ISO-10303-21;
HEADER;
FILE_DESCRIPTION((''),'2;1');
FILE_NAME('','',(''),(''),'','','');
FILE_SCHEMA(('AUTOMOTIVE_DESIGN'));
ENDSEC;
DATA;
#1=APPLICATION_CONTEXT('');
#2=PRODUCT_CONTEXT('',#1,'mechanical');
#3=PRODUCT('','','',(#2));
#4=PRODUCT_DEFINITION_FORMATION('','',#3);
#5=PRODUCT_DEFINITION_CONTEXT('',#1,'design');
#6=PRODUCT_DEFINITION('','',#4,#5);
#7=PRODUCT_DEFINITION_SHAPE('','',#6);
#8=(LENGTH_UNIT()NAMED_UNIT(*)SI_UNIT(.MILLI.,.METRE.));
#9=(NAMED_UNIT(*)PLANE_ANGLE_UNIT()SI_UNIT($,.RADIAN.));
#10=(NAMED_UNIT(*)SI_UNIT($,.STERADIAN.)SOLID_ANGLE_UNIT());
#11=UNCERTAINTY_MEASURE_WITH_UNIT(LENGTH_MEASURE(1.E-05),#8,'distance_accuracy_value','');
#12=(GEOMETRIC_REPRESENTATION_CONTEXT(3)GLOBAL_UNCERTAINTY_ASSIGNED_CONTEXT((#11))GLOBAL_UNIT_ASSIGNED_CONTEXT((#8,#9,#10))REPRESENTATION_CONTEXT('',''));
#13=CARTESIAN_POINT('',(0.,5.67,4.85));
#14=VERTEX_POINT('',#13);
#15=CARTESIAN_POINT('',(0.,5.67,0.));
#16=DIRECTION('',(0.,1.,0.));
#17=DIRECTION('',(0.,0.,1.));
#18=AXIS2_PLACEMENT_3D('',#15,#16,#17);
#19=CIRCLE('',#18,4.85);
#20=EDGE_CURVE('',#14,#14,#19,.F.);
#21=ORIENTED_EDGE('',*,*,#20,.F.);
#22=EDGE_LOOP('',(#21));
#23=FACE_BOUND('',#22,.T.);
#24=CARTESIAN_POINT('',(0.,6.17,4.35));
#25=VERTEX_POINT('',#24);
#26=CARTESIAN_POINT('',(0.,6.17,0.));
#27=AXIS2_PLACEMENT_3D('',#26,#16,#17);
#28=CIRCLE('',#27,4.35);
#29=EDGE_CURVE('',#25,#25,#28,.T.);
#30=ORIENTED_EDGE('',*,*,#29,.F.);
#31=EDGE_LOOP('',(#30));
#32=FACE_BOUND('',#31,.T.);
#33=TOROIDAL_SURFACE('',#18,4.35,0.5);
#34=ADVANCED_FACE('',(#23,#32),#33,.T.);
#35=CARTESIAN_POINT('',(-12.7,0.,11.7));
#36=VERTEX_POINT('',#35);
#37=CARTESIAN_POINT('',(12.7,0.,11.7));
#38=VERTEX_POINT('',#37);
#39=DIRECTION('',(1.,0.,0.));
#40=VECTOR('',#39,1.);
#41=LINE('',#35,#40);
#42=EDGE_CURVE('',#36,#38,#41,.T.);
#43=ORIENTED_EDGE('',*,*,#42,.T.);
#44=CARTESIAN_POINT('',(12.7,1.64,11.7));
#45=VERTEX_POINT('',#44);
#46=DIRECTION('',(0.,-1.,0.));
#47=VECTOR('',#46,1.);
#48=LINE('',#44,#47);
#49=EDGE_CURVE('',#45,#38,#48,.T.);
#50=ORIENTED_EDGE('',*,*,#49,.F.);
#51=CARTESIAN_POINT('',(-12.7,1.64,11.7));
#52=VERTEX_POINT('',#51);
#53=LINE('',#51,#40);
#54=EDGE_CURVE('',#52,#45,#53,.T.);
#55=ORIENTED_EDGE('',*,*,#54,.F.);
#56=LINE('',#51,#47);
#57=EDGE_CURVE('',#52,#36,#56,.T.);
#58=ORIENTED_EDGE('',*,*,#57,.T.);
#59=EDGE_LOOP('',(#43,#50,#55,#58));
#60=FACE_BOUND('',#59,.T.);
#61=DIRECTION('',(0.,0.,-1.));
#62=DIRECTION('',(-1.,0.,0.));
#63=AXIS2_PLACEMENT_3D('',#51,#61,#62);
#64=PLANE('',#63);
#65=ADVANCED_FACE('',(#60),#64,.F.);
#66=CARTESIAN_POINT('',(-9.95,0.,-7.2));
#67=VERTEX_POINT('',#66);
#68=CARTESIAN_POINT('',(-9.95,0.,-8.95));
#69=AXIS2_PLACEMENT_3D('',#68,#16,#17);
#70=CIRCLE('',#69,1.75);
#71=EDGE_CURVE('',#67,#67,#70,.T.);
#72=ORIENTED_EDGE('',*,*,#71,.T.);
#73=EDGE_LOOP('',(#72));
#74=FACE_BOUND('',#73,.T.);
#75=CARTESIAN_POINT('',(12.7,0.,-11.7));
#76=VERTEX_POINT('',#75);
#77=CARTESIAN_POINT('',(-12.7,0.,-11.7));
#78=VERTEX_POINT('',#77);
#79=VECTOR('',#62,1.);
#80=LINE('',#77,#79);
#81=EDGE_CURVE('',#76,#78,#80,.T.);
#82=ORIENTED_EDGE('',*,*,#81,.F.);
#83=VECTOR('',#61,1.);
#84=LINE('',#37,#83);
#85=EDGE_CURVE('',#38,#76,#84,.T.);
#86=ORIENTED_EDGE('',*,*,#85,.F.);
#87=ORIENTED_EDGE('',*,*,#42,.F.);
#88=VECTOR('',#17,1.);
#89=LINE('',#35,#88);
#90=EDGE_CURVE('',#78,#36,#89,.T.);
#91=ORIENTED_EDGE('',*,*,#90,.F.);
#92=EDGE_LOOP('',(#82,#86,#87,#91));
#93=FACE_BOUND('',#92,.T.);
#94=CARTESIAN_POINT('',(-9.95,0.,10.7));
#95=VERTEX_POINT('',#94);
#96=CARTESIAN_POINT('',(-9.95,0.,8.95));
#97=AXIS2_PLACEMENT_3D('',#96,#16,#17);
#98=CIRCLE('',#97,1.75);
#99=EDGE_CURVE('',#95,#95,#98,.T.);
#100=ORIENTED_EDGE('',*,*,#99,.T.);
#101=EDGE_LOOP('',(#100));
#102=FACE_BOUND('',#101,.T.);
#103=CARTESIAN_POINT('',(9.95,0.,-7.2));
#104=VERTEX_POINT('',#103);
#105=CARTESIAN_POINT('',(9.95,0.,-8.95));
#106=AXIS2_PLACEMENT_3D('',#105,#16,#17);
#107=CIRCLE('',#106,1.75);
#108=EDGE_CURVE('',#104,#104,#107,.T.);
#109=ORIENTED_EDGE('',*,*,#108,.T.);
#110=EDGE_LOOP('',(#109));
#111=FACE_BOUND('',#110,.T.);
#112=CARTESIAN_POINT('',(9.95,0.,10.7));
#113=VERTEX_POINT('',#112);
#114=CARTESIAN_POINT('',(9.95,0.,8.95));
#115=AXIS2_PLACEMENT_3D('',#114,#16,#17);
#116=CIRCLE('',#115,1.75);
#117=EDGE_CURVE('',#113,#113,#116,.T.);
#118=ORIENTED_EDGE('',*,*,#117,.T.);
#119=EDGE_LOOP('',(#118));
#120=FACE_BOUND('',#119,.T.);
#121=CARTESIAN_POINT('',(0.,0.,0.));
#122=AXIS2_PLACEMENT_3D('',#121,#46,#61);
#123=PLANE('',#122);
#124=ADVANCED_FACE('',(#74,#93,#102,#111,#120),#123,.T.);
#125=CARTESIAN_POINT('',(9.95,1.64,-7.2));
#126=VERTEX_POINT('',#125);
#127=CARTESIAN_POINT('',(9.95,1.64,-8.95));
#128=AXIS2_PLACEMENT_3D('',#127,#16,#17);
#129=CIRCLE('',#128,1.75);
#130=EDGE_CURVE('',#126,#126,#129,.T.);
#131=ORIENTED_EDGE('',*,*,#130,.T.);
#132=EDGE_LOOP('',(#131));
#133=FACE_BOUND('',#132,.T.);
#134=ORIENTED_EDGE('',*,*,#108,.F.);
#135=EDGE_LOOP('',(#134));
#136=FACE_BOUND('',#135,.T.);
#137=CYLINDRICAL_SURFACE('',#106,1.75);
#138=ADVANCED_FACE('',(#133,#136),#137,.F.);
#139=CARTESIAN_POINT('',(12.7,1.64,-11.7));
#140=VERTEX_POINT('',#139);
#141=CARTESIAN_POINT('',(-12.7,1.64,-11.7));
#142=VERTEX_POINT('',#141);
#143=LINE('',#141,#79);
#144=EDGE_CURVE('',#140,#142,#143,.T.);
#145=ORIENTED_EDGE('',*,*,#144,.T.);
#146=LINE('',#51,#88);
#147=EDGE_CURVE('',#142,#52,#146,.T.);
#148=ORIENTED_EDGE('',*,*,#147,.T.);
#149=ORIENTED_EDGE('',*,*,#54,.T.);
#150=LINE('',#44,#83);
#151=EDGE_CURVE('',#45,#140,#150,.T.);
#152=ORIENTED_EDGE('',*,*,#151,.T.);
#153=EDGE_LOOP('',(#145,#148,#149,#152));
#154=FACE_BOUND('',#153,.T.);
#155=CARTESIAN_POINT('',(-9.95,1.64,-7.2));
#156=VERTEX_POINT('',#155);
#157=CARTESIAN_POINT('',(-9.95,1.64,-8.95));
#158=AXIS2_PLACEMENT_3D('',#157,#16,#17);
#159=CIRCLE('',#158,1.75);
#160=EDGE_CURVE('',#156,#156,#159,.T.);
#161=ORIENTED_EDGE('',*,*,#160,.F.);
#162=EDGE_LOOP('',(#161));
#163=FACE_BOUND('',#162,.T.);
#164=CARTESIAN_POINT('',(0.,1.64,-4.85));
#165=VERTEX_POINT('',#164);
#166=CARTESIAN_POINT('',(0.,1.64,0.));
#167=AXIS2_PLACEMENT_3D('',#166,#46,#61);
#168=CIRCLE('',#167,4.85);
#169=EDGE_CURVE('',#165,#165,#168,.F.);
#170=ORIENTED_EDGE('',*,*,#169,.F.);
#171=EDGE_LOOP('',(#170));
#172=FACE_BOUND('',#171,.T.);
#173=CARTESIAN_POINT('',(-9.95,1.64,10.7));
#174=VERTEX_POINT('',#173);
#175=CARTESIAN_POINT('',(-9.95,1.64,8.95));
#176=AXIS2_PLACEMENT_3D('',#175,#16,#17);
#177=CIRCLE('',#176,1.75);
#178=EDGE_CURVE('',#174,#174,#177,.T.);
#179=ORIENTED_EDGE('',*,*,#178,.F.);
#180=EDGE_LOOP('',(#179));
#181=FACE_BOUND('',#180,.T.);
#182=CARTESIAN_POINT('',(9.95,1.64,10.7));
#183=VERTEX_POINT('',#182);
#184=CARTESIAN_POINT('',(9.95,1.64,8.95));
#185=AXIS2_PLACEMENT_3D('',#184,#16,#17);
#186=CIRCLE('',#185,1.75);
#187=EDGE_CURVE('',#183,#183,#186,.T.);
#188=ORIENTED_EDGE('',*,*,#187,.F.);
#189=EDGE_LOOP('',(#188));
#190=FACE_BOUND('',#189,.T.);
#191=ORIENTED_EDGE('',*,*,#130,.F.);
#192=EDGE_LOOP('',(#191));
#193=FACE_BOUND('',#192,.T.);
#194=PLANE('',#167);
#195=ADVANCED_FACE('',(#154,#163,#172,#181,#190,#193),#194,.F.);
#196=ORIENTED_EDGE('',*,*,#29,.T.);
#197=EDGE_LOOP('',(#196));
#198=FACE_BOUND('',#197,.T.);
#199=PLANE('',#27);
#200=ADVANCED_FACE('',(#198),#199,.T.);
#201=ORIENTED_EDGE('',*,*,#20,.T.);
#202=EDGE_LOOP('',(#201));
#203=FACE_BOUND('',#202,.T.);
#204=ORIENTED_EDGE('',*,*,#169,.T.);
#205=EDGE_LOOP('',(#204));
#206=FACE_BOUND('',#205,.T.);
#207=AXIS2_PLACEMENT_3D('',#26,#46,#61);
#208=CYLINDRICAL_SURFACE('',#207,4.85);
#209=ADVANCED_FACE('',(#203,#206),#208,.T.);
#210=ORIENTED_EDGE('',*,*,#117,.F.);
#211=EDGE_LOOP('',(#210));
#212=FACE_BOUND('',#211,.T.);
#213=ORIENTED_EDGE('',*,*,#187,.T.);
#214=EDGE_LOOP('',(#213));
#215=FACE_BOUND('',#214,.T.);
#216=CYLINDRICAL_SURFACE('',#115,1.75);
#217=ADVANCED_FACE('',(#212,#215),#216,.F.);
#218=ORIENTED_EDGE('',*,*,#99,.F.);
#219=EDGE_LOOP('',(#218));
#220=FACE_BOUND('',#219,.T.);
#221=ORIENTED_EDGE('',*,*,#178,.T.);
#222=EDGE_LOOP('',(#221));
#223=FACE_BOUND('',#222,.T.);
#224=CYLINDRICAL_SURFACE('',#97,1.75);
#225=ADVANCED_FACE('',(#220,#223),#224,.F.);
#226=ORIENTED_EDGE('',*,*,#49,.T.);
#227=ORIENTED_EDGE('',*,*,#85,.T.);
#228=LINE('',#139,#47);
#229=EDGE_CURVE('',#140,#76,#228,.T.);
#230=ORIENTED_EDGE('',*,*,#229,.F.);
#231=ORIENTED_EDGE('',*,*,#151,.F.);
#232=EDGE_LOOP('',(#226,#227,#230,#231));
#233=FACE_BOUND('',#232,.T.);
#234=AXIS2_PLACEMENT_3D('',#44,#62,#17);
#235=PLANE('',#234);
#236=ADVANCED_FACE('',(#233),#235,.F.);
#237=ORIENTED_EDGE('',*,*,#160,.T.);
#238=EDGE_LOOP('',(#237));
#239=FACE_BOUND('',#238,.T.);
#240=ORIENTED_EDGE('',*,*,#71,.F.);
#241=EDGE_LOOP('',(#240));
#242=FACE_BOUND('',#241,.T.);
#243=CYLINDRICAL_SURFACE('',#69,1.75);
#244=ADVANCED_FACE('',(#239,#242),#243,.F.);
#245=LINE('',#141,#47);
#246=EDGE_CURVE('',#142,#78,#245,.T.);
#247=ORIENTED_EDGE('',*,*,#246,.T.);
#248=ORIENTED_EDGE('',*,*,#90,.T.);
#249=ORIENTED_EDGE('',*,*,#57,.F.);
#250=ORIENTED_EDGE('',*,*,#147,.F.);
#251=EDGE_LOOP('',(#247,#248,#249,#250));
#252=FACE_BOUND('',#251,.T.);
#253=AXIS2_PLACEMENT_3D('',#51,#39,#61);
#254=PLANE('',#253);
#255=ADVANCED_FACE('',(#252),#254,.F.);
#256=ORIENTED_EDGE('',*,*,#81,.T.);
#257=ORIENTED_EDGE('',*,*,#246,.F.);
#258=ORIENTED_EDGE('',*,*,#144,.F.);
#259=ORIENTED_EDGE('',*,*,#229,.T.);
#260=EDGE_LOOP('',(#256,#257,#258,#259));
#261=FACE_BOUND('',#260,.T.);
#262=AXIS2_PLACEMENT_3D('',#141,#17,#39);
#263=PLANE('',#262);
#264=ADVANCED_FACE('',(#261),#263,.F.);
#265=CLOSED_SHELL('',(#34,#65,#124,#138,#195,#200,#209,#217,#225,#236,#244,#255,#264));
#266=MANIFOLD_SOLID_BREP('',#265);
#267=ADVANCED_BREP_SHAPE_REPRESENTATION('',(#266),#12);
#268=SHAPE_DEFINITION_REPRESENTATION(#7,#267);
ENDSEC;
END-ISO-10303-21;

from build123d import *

# Parameters (mm, degrees)
SKETCH1_W           = 25.4
SKETCH1_H           = 23.4
BOSS_EXTRUDE1_DEPTH = 1.64
SKETCH2_R           = 1.75
CUT_EXTRUDE1_DEPTH  = 2.64
SKETCH3_R           = 4.85
BOSS_EXTRUDE2_DEPTH = 4.53
FILLET1_R           = 0.5


with BuildPart() as part:
    # Sketch1 → Boss-Extrude1 (new body)
    with BuildSketch(Plane(origin=(0, 0, 0), x_dir=(1, 0, 0), z_dir=(0, 1, 0))):
        Rectangle(SKETCH1_W, SKETCH1_H)
    extrude(amount=BOSS_EXTRUDE1_DEPTH)

    # Sketch2 → Cut-Extrude1 (cut, through all)
    with BuildSketch(Plane(origin=(0, 1.64, 0), x_dir=(1, 0, 0), z_dir=(0, 1, 0))):
        with Locations((-9.95, -8.95)):
            Circle(SKETCH2_R)
        with Locations((9.95, -8.95)):
            Circle(SKETCH2_R)
        with Locations((9.95, 8.95)):
            Circle(SKETCH2_R)
        with Locations((-9.95, 8.95)):
            Circle(SKETCH2_R)
    extrude(amount=-CUT_EXTRUDE1_DEPTH, mode=Mode.SUBTRACT)

    # Sketch3 → Boss-Extrude2 (add)
    with BuildSketch(Plane(origin=(0, 1.64, 0), x_dir=(1, 0, 0), z_dir=(0, 1, 0))):
        Circle(SKETCH3_R)
    extrude(amount=BOSS_EXTRUDE2_DEPTH)

    # Fillet1
    fillet1_edges = [part.edges().sort_by_distance(p)[0] for p in [
        (-4.85, 6.17, 0),
    ]]
    fillet(fillet1_edges, radius=FILLET1_R)


solid = part.part
